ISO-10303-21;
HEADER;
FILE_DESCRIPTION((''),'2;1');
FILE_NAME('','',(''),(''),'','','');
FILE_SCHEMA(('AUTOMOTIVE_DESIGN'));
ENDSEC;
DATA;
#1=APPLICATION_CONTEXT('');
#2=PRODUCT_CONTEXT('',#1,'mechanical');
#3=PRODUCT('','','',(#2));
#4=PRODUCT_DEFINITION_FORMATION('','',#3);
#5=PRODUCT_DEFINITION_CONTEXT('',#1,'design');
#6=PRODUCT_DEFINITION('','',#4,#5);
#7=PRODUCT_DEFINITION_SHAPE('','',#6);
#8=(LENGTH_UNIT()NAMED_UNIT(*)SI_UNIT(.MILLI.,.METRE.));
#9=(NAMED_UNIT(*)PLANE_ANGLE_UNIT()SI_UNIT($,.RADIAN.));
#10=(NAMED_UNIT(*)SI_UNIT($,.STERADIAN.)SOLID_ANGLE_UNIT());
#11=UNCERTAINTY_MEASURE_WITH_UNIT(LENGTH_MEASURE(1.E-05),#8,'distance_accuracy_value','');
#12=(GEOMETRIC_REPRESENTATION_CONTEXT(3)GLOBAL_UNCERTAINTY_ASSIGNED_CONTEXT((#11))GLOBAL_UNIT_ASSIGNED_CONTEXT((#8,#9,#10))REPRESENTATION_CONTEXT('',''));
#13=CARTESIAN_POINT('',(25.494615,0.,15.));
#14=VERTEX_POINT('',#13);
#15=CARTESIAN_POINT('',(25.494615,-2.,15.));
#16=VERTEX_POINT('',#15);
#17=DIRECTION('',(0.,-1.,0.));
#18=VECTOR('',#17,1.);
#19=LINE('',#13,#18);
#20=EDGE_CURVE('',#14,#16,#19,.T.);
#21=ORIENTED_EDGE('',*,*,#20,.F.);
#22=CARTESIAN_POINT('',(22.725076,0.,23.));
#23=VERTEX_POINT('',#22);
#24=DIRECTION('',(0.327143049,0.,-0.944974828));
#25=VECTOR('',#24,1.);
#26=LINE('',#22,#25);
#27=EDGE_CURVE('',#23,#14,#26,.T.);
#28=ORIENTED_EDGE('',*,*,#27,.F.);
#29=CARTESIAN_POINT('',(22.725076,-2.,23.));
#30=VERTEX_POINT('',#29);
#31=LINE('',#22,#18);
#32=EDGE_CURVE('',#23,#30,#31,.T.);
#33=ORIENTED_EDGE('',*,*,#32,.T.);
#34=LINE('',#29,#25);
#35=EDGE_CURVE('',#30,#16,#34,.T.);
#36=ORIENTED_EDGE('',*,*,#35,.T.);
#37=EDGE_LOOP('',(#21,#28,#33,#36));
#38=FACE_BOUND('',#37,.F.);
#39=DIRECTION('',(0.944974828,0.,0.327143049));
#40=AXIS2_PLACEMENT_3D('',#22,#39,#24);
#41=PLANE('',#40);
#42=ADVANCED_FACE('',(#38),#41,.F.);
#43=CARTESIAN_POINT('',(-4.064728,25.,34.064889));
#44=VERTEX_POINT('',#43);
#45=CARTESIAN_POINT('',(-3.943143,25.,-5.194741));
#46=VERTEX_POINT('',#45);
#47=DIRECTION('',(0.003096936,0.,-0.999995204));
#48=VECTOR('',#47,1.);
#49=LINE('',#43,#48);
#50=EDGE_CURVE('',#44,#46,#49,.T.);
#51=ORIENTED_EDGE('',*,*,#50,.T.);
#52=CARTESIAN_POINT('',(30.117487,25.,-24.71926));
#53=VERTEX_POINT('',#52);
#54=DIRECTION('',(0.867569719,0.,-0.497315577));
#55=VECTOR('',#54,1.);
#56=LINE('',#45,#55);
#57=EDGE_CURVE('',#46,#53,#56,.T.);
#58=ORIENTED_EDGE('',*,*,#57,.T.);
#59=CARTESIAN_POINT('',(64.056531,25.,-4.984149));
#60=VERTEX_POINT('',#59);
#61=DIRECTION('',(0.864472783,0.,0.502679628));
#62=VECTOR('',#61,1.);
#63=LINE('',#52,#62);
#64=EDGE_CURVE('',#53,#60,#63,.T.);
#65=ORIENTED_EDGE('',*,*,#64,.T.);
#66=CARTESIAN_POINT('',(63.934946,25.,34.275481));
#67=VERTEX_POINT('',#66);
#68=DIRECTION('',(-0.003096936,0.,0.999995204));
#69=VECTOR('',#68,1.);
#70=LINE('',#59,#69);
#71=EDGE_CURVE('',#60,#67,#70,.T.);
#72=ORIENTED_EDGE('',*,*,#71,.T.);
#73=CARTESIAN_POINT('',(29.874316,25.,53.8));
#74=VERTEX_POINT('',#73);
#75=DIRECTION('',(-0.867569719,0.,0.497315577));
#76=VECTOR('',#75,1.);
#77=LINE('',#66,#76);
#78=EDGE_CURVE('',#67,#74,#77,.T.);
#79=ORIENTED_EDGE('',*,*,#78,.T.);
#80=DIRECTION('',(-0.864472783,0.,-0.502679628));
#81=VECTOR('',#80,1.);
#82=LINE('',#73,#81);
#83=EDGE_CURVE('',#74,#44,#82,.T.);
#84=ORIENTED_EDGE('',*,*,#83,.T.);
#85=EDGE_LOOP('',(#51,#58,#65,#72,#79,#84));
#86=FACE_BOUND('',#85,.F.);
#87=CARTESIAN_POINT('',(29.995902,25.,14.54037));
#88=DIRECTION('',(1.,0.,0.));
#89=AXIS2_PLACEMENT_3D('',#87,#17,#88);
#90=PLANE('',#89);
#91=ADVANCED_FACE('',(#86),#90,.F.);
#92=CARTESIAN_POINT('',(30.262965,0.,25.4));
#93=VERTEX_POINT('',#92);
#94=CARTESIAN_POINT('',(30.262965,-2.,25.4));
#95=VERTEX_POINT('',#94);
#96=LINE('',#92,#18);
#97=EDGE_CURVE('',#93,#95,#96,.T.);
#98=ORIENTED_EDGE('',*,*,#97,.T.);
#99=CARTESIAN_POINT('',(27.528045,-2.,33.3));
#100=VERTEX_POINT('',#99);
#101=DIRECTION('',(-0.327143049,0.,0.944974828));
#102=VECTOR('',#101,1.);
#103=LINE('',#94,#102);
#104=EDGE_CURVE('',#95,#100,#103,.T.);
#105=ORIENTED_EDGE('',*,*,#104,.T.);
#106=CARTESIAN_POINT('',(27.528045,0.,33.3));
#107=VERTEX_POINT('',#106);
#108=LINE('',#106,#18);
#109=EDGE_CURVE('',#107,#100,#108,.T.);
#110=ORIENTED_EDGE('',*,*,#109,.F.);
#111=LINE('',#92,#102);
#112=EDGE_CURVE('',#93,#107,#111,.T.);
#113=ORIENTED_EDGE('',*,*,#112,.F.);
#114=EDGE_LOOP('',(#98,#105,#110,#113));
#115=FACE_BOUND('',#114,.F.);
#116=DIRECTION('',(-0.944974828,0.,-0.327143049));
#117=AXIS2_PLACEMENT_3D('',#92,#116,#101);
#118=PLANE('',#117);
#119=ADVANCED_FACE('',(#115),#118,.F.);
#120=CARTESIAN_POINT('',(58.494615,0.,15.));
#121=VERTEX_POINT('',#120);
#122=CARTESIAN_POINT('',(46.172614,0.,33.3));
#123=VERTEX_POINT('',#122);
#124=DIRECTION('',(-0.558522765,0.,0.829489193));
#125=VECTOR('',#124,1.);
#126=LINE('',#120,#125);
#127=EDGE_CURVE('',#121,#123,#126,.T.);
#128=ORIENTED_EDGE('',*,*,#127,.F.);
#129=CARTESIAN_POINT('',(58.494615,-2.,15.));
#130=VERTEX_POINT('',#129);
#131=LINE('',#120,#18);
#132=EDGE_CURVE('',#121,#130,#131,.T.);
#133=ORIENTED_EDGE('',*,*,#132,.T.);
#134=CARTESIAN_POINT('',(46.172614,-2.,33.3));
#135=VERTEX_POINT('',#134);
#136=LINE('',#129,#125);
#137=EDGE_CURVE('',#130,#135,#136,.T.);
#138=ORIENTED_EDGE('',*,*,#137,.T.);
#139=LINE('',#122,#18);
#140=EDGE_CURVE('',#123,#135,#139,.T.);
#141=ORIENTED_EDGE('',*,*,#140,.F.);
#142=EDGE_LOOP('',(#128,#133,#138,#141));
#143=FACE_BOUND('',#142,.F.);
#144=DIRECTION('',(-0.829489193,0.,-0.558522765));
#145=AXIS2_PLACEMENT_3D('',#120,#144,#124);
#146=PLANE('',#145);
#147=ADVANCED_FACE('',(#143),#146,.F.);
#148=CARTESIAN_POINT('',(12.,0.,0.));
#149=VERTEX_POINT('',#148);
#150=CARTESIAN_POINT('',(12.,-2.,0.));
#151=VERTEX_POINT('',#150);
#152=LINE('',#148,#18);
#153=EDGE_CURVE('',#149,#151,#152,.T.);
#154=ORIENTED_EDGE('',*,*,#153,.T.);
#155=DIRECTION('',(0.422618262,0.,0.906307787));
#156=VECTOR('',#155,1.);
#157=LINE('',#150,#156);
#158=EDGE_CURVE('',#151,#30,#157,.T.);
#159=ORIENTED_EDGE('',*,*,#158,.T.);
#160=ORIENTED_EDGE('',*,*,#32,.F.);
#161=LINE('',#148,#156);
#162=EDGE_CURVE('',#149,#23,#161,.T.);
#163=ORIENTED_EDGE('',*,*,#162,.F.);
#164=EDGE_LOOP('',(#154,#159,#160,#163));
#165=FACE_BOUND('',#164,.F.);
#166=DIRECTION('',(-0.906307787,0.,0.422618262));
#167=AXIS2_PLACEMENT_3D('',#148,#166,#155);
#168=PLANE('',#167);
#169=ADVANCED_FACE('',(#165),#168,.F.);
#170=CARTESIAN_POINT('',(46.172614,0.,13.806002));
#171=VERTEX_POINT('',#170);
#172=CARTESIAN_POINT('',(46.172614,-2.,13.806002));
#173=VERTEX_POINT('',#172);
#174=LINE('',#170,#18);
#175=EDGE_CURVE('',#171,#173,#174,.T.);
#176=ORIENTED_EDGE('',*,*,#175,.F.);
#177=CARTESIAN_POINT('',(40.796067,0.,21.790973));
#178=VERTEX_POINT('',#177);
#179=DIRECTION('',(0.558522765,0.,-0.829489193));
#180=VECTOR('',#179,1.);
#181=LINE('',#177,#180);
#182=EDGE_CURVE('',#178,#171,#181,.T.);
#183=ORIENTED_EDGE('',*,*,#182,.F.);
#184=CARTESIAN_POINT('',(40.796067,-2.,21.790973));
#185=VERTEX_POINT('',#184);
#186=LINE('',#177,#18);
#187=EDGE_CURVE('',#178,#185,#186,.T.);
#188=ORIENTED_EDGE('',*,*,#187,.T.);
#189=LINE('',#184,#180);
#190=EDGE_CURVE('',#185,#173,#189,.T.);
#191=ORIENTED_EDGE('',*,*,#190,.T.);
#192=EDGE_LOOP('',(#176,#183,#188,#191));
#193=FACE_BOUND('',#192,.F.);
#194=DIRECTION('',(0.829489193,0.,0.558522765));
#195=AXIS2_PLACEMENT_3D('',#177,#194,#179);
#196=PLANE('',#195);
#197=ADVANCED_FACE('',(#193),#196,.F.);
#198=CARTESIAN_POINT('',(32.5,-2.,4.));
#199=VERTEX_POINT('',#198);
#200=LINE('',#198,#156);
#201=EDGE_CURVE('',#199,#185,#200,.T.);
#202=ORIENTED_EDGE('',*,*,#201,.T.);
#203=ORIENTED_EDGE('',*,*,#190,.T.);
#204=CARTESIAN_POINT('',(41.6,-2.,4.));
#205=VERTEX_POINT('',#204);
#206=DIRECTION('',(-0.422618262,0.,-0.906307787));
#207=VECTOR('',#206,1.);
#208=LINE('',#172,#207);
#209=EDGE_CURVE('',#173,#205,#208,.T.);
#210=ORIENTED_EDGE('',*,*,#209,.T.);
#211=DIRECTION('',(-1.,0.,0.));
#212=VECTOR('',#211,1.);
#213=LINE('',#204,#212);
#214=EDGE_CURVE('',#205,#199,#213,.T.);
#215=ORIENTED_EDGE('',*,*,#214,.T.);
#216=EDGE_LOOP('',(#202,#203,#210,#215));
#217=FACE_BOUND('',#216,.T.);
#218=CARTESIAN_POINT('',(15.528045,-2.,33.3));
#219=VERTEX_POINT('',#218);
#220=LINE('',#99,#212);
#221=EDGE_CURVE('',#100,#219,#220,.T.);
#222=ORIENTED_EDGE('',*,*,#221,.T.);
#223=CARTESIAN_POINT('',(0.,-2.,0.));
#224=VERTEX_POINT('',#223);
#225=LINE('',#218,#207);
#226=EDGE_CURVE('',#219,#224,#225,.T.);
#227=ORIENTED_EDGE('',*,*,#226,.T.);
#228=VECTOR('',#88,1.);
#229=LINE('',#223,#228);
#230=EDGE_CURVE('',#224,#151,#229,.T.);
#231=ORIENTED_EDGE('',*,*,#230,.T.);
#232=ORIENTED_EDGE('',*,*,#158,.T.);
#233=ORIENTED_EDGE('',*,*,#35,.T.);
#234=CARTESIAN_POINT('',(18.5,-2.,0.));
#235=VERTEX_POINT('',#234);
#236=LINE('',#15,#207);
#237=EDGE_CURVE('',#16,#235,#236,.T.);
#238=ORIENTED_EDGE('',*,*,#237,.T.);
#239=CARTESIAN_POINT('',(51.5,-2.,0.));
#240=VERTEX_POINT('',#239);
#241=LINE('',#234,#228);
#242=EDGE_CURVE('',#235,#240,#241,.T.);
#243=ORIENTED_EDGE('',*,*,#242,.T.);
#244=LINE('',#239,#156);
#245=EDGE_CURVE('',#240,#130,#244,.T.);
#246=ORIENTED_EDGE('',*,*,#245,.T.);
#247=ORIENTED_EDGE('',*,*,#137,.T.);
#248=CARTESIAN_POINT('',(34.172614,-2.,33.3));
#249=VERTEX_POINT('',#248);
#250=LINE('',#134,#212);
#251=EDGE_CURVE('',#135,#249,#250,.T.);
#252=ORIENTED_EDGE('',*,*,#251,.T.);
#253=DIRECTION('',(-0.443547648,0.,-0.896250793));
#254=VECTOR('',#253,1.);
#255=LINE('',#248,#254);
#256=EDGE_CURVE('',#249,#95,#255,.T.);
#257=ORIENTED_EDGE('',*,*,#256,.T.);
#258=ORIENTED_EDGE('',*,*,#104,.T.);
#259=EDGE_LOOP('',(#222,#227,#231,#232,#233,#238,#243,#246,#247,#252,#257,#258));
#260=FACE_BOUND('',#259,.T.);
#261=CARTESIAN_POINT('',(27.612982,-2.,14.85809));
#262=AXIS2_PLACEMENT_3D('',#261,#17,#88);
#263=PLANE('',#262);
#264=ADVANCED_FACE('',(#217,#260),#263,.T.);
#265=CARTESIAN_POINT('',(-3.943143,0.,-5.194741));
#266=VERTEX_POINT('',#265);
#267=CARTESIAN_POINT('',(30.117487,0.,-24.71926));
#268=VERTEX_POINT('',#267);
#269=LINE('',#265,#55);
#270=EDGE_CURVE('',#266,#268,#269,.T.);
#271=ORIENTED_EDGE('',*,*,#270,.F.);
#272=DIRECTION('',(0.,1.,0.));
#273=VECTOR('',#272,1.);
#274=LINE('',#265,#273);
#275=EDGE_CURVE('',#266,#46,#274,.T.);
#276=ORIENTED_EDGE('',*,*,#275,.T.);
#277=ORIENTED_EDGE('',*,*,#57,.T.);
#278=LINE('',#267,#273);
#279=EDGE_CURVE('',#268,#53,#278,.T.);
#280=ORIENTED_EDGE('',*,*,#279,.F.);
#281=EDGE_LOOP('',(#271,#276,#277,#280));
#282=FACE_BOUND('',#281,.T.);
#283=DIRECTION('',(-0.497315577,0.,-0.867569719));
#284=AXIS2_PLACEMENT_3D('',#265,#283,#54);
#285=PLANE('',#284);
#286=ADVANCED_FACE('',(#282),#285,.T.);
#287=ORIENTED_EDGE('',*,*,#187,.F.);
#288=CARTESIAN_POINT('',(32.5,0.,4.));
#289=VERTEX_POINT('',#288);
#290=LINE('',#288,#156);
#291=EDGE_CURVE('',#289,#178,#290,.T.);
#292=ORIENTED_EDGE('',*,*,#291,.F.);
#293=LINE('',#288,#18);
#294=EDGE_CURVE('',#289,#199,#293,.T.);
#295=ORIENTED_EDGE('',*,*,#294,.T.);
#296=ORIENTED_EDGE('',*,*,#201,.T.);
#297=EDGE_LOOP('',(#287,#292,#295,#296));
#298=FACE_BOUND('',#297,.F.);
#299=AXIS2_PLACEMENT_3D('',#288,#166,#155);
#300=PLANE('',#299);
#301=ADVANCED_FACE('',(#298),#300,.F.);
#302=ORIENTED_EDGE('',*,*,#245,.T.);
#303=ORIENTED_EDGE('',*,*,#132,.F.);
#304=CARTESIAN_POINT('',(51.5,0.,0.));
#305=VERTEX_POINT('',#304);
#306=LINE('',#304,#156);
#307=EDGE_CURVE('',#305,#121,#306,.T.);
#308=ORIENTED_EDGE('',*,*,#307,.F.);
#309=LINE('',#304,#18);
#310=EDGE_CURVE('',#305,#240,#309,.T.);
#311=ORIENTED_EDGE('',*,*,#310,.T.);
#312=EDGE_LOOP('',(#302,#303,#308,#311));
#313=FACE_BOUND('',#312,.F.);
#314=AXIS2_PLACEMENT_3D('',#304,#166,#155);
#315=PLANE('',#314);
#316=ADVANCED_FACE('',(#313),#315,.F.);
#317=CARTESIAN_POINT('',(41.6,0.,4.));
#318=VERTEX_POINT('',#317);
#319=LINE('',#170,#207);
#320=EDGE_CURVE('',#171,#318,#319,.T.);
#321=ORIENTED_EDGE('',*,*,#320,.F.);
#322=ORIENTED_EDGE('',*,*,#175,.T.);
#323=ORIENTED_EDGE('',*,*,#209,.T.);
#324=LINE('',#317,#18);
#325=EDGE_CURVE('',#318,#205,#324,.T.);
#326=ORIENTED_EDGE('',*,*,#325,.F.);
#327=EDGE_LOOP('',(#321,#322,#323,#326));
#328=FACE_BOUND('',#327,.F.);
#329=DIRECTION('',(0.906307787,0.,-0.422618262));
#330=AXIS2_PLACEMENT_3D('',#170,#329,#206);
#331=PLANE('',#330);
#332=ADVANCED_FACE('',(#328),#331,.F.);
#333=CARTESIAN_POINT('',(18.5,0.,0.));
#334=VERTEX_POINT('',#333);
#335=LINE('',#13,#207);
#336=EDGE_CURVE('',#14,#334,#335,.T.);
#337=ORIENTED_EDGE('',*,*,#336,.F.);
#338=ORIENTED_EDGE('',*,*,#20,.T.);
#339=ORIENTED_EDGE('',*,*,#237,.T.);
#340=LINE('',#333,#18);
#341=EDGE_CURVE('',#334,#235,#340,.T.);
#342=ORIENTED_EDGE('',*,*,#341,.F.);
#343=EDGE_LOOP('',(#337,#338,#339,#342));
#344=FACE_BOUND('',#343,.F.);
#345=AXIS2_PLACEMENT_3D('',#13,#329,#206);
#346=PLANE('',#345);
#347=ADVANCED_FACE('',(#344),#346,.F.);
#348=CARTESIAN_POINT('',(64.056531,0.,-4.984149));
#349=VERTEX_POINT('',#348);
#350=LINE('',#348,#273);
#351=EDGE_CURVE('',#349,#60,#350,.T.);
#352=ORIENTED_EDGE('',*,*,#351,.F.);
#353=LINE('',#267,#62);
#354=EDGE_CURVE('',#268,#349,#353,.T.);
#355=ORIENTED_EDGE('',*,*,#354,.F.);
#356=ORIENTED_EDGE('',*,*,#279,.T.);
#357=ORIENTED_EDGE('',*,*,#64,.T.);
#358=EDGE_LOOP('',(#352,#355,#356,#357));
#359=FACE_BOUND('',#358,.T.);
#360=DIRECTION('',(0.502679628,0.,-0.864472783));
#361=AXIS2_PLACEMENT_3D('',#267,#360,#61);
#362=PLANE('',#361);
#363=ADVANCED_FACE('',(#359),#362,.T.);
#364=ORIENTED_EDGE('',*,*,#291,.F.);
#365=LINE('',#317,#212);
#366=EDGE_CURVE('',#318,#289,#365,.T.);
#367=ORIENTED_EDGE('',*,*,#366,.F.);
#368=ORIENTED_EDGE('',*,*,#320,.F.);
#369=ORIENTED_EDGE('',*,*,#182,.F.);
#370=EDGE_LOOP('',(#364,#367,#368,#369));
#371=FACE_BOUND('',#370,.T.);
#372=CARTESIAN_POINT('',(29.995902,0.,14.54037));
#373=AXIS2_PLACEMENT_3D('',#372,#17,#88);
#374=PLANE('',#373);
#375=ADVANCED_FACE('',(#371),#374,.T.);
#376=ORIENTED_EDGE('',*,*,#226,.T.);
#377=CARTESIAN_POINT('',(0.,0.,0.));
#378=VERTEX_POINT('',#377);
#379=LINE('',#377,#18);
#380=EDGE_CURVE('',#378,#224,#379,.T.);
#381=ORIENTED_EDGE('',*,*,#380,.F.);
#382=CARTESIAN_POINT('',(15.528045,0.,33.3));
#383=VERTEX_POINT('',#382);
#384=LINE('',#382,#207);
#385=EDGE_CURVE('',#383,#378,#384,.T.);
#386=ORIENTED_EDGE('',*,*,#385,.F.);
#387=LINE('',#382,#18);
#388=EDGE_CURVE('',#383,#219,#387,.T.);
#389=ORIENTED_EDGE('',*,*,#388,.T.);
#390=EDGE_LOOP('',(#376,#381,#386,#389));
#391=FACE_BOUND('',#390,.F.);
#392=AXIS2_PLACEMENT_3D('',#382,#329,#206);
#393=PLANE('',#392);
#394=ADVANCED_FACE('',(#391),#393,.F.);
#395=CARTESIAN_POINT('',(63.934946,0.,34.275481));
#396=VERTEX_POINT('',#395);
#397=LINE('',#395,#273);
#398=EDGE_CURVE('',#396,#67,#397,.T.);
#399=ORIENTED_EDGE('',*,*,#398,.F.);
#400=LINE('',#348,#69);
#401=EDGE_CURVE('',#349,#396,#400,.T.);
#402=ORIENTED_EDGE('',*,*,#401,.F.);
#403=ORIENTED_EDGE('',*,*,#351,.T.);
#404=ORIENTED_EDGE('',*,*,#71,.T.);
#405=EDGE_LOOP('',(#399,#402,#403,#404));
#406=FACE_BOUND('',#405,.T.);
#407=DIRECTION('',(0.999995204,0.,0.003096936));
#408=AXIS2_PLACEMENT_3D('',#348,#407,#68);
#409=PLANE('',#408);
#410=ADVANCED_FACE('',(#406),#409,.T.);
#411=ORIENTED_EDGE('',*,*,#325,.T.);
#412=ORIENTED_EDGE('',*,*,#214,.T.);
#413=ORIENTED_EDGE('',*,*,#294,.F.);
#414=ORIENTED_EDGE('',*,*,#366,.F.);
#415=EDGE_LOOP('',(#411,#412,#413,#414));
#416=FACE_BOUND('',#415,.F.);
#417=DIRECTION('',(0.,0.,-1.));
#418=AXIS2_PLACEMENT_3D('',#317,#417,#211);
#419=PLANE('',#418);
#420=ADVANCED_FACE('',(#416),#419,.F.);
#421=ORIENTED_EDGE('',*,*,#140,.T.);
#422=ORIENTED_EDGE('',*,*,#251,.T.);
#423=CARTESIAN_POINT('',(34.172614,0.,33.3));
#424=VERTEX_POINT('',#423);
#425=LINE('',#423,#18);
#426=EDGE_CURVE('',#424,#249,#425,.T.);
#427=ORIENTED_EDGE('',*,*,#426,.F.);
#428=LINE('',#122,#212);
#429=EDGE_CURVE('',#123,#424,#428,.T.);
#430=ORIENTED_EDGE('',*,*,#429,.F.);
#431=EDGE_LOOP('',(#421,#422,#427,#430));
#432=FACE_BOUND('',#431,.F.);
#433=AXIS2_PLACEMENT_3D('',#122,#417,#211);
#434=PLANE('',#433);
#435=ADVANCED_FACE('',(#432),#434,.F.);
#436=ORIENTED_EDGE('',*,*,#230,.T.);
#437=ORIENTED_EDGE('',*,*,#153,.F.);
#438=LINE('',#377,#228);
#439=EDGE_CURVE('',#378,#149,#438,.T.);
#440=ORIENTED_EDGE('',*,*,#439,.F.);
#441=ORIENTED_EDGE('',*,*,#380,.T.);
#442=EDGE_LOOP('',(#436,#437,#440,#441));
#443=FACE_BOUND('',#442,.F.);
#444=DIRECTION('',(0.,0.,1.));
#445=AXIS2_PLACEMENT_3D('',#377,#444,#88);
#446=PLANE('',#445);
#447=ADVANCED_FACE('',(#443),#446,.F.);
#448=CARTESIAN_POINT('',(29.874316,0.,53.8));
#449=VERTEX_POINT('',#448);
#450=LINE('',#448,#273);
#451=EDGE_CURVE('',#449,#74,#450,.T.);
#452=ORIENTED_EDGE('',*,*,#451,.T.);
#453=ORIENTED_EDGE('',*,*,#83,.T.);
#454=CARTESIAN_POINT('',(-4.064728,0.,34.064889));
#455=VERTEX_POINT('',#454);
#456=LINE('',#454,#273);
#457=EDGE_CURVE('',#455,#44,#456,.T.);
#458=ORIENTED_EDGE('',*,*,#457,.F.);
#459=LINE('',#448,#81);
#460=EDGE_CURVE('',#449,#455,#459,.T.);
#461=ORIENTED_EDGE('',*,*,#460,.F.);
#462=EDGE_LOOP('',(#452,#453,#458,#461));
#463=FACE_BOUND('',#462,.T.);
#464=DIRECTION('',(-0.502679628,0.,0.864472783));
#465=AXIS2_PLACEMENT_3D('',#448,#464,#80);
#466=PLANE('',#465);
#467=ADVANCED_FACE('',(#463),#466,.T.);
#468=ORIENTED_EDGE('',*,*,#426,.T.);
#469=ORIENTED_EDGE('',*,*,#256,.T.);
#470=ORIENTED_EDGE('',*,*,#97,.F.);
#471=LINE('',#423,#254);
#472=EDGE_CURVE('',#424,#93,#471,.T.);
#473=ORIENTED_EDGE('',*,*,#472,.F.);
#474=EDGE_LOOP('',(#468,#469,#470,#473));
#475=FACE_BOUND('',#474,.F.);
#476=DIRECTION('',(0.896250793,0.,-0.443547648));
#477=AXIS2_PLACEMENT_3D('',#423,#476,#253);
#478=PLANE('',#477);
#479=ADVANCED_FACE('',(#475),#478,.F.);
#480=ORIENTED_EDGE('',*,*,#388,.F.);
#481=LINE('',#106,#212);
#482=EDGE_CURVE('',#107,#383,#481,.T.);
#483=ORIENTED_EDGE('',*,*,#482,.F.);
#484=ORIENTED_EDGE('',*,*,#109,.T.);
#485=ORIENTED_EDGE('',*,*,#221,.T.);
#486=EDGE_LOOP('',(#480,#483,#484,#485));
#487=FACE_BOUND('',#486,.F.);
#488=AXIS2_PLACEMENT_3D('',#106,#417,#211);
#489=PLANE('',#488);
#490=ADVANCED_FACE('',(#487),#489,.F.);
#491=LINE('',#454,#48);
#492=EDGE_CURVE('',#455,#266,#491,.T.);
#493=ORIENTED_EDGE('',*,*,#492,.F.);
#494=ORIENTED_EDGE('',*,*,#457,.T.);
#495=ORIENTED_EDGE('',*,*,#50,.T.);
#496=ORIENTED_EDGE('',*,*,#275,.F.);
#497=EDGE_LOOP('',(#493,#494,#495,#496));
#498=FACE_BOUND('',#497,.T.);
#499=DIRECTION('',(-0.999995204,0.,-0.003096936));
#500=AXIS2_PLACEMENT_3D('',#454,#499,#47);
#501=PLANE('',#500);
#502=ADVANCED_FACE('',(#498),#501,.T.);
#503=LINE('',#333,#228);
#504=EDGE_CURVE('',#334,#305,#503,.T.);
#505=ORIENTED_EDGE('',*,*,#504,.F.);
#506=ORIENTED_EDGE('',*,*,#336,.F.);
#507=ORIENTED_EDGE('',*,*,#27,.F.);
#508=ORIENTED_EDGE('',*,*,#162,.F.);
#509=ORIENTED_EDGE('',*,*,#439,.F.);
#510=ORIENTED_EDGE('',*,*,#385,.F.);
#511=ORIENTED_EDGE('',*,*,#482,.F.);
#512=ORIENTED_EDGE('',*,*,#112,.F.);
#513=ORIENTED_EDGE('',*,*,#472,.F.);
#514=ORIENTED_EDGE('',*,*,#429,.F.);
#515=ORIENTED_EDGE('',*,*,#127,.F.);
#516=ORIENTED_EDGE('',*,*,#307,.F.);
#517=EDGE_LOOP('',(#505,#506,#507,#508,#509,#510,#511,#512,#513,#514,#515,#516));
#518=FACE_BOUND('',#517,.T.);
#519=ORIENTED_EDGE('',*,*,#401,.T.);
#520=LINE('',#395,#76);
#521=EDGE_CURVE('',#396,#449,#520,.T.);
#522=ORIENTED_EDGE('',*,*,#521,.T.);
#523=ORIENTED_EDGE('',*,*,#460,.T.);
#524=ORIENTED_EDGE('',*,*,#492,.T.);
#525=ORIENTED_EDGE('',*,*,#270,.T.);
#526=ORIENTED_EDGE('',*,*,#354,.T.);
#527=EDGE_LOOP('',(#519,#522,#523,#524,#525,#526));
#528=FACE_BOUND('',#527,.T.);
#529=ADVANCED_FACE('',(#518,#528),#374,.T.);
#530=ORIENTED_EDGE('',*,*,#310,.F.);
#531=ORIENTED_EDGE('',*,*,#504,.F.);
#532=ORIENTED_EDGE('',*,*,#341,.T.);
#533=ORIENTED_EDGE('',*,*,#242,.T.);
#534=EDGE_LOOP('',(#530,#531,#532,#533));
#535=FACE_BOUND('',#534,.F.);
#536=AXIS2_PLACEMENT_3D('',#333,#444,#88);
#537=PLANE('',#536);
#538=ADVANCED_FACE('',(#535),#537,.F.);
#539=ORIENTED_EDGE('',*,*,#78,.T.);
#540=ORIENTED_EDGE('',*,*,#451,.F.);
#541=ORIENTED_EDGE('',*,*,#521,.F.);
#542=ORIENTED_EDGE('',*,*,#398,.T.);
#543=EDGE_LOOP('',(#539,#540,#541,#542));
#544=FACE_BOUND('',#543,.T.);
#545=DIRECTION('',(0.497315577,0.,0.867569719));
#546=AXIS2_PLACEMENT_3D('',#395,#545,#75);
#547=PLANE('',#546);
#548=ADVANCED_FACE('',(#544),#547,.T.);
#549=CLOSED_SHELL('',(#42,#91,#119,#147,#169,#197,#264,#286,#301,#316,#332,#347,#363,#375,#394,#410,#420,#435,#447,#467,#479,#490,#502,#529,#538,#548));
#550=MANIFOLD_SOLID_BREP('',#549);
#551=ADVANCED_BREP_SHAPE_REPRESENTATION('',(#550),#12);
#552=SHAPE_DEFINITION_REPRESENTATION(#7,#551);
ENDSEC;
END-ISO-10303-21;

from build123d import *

# Parameters (mm, degrees)
F1_DEPTH = 25
F2_DEPTH = 2


with BuildPart() as f1:
    # F0 (on Front) → F1 (new body)
    with BuildSketch(Plane.XZ):
        Polygon((63.9349460241, 34.2754808194), (29.8743164923, 53.8), (-4.0647278806, 34.0648891469), (-3.9431427218, -5.1947408868), (30.11748681, -24.7192600674), (64.0565311829, -4.9841492143), align=None)
        Polygon((12, 0), (0, 0), (15.5280450166, 33.3), (27.5280450166, 33.3), (30.2629645171, 25.4), (34.1726139616, 33.3), (46.1726139616, 33.3), (58.4946148723, 15), (51.5, 0), (18.5, 0), (25.4946148723, 15), (22.7250761376, 23), align=None, mode=Mode.SUBTRACT)
        Polygon((15.5280450166, 33.3), (0, 0), (12, 0), (22.7250761376, 23), (25.4946148723, 15), (18.5, 0), (51.5, 0), (58.4946148723, 15), (46.1726139616, 33.3), (34.1726139616, 33.3), (30.2629645171, 25.4), (27.5280450166, 33.3), align=None)
        Polygon((41.6, 4), (32.5, 4), (40.7960668171, 21.7909727022), (46.1726139616, 13.8060022856), align=None, mode=Mode.SUBTRACT)
        Polygon((40.7960668171, 21.7909727022), (32.5, 4), (41.6, 4), (46.1726139616, 13.8060022856), align=None)
    extrude(amount=-F1_DEPTH)

    # F0 (on Front) → F2 (join)
    with BuildSketch(Plane.XZ):
        Polygon((15.5280450166, 33.3), (0, 0), (12, 0), (22.7250761376, 23), (25.4946148723, 15), (18.5, 0), (51.5, 0), (58.4946148723, 15), (46.1726139616, 33.3), (34.1726139616, 33.3), (30.2629645171, 25.4), (27.5280450166, 33.3), align=None)
        Polygon((41.6, 4), (32.5, 4), (40.7960668171, 21.7909727022), (46.1726139616, 13.8060022856), align=None, mode=Mode.SUBTRACT)
    extrude(amount=F2_DEPTH)


solid = f1.part
